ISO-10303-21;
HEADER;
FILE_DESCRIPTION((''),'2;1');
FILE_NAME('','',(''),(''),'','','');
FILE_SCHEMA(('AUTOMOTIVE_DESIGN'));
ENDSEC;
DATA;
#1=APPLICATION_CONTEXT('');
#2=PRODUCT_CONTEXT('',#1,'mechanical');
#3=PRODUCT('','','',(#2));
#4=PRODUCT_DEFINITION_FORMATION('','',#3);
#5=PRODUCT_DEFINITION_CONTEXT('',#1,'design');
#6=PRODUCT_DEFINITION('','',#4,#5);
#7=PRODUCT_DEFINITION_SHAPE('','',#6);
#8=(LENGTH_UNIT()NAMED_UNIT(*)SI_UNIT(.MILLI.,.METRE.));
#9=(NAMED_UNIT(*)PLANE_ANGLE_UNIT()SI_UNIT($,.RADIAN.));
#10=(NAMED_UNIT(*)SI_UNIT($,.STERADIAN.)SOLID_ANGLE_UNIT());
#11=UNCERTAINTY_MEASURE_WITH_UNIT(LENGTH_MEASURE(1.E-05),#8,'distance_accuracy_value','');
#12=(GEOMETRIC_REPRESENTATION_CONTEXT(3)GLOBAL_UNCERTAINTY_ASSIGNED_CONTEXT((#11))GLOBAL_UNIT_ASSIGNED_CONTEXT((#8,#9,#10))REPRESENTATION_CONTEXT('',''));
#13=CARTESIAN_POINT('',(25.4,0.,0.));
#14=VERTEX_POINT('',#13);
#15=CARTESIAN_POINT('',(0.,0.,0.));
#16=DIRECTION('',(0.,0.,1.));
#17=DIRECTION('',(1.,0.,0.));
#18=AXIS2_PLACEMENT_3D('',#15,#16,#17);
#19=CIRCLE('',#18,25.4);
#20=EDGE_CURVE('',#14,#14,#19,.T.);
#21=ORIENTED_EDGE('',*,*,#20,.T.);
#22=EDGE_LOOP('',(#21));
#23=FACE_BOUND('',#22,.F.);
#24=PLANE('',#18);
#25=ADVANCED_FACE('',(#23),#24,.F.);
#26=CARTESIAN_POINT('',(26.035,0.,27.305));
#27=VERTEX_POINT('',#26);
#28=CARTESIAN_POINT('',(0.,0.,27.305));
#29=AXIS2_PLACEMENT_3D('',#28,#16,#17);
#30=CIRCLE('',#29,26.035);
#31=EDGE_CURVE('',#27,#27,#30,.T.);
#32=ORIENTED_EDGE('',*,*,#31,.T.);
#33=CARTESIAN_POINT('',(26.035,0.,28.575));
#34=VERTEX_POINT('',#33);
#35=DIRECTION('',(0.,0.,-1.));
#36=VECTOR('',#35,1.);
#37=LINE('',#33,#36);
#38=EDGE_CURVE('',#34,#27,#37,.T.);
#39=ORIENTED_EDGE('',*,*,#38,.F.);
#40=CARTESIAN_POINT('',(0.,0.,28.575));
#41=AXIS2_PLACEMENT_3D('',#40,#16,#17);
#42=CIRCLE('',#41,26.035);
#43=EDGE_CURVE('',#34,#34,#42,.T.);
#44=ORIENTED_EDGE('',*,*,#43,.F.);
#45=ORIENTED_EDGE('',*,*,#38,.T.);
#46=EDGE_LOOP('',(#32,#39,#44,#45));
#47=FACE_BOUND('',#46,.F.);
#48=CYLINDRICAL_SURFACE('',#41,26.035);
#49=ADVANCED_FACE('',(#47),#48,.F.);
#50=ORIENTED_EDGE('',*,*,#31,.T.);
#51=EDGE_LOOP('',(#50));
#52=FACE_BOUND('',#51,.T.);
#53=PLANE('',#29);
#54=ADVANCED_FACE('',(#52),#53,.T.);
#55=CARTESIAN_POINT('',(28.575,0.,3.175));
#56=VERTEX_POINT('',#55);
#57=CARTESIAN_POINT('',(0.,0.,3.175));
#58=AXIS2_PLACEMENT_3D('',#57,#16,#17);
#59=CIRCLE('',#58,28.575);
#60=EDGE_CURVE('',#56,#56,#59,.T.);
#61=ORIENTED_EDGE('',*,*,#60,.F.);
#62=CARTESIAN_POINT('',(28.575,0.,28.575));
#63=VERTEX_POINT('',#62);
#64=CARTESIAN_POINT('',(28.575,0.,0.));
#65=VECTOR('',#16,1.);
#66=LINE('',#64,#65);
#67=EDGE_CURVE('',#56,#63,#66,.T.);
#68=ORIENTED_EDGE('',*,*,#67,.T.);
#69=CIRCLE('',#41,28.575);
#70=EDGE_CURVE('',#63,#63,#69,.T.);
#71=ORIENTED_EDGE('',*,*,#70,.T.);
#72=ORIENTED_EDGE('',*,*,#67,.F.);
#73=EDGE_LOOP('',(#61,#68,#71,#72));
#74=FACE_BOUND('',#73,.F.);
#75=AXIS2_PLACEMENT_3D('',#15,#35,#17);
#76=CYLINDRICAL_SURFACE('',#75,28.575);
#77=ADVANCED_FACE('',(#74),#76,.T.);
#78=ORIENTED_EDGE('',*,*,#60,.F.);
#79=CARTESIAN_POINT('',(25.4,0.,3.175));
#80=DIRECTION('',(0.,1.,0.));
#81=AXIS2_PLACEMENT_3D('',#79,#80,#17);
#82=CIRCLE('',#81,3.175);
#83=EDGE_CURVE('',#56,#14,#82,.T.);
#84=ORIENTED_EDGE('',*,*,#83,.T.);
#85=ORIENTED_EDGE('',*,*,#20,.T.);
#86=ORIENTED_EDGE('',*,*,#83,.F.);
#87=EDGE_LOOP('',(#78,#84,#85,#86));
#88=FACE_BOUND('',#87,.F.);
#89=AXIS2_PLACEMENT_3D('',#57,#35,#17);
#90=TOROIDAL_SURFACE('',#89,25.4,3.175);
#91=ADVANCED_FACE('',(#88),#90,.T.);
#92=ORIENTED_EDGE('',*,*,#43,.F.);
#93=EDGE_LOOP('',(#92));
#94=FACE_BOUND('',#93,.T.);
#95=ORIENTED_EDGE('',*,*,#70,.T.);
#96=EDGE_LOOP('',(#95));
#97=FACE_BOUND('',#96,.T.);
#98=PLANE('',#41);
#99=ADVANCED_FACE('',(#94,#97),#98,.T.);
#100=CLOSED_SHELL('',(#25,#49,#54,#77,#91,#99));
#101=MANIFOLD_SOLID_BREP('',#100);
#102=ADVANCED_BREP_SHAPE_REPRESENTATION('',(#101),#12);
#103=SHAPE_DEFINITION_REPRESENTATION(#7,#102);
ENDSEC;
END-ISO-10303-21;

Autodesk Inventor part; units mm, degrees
ref_plane "YZ Plane" through (0, 0, 0) normal (1, 0, 0) x (0, 1, 0)
ref_plane "XZ Plane" through (0, 0, 0) normal (0, 1, 0) x (-1, 0, 0)
ref_plane "XY Plane" through (0, 0, 0) normal (0, 0, 1) x (1, 0, 0)
sketch "Sketch1" plane through (0, 0, 0) normal (0, 0, 1) x (1, 0, 0)
  circle A0 centre (0, 0) radius 28.575
  dimension "d0" = 57.15
extrude "Extrusion1" add sketch "Sketch1" along normal blind 28.575
sketch "Sketch2" plane through (0, 0, 28.575) normal (0, 0, 1) x (1, 0, 0)
  circle A0 centre (0, 0) radius 28.575 projected
  circle A1 centre (0, 0) radius 26.035
  dimension "d4" = 52.07
extrude "Extrusion2" cut sketch "Sketch2" against normal blind 1.27 contours A1
fillet "Fillet1" radius 3.175 1 edges at (-28.575, 0, 0)
properties part number "Lg Motor Bottom" material "ABS Plastic"
